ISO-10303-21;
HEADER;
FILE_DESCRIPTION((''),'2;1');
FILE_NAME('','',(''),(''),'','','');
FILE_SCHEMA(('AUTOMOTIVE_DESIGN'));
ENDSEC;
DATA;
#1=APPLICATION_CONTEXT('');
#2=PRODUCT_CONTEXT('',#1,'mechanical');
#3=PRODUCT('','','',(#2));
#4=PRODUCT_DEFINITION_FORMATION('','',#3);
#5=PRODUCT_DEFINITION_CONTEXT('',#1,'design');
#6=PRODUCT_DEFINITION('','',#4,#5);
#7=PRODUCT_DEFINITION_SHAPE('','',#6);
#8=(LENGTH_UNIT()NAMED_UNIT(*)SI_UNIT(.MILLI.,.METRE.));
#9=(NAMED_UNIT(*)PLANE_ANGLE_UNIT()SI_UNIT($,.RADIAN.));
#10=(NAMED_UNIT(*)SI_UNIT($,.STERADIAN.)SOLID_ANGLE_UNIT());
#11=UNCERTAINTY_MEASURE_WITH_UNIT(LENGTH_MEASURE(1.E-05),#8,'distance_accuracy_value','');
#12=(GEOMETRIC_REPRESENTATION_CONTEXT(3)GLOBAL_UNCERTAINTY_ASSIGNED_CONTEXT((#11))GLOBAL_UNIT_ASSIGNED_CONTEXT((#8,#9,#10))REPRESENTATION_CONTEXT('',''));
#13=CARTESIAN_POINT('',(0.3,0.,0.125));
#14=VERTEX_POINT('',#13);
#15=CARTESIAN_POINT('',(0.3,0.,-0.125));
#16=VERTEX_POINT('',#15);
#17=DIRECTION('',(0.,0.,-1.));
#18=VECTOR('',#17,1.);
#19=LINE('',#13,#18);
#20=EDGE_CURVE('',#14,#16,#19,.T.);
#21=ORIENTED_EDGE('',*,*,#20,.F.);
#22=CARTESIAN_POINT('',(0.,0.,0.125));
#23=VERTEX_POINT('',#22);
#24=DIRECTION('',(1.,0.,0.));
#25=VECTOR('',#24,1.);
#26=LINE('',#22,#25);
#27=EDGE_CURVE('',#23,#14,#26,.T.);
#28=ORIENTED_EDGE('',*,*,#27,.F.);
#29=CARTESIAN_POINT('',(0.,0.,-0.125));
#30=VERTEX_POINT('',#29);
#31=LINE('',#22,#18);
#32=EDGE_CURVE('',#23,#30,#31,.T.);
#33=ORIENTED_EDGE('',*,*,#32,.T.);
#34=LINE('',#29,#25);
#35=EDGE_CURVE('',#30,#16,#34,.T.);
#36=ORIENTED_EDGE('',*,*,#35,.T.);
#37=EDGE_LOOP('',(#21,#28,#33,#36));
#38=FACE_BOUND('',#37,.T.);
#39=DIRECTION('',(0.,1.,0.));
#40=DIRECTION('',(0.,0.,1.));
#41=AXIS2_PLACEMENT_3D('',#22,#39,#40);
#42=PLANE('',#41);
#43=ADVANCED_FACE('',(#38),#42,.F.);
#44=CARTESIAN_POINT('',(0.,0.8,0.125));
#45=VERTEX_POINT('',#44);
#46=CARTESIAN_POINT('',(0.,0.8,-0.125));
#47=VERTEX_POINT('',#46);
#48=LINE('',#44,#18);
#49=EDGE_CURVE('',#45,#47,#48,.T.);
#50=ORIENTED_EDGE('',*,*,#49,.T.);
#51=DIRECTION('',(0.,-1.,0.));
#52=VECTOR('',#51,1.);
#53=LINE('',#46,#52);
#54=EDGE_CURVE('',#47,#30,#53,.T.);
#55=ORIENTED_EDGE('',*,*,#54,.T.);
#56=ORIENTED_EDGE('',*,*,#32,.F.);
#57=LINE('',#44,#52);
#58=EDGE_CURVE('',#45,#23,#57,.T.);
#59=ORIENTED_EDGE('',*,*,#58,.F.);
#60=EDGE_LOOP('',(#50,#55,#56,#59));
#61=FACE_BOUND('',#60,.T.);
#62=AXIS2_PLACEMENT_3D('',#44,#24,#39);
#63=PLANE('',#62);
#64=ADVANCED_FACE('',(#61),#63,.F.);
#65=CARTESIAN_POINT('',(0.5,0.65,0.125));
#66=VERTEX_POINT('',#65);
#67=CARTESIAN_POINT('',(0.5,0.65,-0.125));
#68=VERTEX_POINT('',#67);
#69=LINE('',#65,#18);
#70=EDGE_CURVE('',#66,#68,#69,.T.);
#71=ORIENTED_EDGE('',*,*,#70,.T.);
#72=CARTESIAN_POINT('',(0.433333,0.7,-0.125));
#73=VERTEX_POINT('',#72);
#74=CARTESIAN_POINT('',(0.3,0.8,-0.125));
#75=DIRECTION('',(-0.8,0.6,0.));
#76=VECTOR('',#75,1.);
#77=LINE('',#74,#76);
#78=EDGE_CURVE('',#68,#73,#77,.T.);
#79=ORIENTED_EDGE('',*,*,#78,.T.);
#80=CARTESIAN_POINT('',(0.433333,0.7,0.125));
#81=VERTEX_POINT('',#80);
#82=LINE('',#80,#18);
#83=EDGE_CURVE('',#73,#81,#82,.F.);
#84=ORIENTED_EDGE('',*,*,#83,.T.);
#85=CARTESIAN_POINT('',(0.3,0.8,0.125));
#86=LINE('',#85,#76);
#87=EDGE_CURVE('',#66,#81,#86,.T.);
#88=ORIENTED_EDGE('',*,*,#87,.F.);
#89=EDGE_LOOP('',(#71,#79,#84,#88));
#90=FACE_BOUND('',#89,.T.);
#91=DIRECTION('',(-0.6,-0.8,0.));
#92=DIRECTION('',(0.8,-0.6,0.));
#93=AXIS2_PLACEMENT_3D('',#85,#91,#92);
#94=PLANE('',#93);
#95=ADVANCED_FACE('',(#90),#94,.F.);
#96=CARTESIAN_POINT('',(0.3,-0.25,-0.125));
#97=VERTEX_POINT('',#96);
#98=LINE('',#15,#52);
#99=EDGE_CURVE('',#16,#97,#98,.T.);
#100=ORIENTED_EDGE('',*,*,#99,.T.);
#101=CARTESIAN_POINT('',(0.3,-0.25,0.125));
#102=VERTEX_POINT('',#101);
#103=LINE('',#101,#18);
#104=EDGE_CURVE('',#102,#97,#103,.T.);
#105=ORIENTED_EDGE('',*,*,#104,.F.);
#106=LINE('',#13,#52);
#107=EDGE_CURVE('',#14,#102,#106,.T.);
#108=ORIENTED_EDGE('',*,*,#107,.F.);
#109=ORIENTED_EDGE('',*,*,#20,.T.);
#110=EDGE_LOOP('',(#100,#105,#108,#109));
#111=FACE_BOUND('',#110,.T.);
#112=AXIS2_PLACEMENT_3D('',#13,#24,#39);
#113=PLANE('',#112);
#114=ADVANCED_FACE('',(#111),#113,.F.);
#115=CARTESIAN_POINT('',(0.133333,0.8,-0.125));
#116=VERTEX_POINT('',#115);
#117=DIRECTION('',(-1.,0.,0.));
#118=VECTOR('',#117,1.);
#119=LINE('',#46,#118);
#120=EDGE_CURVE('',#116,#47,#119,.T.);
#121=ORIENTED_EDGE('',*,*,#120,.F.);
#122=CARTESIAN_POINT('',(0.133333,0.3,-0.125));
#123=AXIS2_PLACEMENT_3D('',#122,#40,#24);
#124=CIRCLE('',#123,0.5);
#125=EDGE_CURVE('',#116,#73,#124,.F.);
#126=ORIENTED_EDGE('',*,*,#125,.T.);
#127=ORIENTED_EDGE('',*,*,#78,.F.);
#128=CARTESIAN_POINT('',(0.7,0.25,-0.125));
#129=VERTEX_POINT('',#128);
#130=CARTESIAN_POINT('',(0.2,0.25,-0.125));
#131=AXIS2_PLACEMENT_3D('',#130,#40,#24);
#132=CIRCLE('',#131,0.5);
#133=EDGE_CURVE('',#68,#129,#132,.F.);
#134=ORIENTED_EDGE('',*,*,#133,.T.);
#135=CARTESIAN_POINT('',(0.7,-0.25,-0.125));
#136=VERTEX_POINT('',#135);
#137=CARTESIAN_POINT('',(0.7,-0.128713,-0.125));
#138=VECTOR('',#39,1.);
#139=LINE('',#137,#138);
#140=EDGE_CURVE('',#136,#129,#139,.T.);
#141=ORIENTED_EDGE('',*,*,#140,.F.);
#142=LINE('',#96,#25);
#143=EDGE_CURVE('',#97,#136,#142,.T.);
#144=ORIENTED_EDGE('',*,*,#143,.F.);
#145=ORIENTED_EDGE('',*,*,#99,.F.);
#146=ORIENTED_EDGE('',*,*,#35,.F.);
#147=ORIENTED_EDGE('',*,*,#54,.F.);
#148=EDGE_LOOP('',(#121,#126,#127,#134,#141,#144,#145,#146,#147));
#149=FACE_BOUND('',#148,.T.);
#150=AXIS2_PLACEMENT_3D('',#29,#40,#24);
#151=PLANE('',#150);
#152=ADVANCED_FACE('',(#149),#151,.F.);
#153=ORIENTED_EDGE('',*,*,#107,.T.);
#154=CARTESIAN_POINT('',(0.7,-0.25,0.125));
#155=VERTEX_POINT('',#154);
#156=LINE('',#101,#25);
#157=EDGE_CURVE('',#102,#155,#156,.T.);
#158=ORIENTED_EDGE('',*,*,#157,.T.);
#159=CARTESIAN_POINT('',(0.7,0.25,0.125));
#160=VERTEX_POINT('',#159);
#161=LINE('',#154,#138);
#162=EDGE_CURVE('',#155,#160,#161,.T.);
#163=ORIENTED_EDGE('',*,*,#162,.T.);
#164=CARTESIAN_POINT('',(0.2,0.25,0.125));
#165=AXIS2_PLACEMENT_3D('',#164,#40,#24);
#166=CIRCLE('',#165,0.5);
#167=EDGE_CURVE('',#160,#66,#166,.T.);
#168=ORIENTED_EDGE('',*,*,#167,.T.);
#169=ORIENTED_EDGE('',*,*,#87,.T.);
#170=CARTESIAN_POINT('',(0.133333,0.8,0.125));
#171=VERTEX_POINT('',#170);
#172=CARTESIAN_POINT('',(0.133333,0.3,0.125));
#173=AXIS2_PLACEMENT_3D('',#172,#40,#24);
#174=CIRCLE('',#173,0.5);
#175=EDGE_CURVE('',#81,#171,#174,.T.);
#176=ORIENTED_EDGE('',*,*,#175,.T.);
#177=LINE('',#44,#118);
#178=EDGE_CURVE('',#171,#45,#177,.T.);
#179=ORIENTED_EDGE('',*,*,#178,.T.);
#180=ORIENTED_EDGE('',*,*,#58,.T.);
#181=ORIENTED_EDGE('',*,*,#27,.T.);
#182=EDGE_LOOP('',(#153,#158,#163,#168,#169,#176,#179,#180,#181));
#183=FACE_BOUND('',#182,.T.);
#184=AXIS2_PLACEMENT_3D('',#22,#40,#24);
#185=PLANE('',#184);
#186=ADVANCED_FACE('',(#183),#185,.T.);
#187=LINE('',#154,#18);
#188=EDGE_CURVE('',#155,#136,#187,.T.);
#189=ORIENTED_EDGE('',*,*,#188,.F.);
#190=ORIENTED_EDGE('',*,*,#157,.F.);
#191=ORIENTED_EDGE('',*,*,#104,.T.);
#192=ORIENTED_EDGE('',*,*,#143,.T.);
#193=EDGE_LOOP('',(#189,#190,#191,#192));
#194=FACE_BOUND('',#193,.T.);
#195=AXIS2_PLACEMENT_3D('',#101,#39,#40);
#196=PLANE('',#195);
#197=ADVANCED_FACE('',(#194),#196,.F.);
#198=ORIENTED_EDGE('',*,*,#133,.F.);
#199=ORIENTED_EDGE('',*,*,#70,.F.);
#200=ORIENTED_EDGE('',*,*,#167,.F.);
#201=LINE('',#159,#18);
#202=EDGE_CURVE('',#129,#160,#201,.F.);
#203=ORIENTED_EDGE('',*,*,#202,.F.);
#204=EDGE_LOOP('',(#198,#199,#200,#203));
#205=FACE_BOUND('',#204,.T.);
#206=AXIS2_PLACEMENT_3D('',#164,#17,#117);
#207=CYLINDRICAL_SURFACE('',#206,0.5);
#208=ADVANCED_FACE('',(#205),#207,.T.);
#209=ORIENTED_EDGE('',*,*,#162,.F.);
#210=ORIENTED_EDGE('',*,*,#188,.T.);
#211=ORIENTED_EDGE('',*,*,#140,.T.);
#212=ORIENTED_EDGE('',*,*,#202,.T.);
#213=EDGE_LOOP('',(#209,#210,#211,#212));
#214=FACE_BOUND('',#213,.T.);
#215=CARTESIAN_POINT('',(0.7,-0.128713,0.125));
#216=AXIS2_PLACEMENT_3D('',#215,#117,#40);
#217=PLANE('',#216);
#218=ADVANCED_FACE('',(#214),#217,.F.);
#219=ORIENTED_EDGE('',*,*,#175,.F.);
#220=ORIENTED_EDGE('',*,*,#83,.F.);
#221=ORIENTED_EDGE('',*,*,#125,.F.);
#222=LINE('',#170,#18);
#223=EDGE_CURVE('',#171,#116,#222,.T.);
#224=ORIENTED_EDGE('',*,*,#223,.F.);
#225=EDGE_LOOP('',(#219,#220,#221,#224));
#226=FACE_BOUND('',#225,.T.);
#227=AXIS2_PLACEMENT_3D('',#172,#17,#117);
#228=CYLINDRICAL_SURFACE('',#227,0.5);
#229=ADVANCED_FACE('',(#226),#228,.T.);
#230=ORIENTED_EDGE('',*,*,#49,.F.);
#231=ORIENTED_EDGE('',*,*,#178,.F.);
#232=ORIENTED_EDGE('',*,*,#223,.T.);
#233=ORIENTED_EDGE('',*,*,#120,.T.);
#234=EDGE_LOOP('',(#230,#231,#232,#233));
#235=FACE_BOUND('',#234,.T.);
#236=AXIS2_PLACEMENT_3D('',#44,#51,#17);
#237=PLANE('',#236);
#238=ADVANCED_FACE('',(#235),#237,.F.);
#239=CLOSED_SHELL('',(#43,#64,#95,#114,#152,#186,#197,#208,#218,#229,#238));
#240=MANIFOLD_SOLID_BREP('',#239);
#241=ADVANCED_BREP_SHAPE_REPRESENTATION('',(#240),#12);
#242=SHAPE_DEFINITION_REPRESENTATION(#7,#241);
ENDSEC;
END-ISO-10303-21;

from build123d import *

# Parameters (mm, degrees)
BOSS_EXTRUDE1_DEPTH = 0.125
FILLET1_R           = 0.5


with BuildPart() as part:
    # frame_outline → Boss-Extrude1 (new, symmetric)
    with BuildSketch(Plane.XY):
        Polygon((0, 0), (0.3, 0), (0.3, -0.25), (0.7, -0.25), (0.7, -0.128713314), (0.7, 0.5), (0.3, 0.8), (0, 0.8), align=None)
    extrude(amount=BOSS_EXTRUDE1_DEPTH, both=True)

    # Fillet1
    fillet1_edges = [part.edges().sort_by_distance(p)[0] for p in [
        (0.3, 0.8, 0),
        (0.7, 0.5, 0),
    ]]
    fillet(fillet1_edges, radius=FILLET1_R)


solid = part.part
